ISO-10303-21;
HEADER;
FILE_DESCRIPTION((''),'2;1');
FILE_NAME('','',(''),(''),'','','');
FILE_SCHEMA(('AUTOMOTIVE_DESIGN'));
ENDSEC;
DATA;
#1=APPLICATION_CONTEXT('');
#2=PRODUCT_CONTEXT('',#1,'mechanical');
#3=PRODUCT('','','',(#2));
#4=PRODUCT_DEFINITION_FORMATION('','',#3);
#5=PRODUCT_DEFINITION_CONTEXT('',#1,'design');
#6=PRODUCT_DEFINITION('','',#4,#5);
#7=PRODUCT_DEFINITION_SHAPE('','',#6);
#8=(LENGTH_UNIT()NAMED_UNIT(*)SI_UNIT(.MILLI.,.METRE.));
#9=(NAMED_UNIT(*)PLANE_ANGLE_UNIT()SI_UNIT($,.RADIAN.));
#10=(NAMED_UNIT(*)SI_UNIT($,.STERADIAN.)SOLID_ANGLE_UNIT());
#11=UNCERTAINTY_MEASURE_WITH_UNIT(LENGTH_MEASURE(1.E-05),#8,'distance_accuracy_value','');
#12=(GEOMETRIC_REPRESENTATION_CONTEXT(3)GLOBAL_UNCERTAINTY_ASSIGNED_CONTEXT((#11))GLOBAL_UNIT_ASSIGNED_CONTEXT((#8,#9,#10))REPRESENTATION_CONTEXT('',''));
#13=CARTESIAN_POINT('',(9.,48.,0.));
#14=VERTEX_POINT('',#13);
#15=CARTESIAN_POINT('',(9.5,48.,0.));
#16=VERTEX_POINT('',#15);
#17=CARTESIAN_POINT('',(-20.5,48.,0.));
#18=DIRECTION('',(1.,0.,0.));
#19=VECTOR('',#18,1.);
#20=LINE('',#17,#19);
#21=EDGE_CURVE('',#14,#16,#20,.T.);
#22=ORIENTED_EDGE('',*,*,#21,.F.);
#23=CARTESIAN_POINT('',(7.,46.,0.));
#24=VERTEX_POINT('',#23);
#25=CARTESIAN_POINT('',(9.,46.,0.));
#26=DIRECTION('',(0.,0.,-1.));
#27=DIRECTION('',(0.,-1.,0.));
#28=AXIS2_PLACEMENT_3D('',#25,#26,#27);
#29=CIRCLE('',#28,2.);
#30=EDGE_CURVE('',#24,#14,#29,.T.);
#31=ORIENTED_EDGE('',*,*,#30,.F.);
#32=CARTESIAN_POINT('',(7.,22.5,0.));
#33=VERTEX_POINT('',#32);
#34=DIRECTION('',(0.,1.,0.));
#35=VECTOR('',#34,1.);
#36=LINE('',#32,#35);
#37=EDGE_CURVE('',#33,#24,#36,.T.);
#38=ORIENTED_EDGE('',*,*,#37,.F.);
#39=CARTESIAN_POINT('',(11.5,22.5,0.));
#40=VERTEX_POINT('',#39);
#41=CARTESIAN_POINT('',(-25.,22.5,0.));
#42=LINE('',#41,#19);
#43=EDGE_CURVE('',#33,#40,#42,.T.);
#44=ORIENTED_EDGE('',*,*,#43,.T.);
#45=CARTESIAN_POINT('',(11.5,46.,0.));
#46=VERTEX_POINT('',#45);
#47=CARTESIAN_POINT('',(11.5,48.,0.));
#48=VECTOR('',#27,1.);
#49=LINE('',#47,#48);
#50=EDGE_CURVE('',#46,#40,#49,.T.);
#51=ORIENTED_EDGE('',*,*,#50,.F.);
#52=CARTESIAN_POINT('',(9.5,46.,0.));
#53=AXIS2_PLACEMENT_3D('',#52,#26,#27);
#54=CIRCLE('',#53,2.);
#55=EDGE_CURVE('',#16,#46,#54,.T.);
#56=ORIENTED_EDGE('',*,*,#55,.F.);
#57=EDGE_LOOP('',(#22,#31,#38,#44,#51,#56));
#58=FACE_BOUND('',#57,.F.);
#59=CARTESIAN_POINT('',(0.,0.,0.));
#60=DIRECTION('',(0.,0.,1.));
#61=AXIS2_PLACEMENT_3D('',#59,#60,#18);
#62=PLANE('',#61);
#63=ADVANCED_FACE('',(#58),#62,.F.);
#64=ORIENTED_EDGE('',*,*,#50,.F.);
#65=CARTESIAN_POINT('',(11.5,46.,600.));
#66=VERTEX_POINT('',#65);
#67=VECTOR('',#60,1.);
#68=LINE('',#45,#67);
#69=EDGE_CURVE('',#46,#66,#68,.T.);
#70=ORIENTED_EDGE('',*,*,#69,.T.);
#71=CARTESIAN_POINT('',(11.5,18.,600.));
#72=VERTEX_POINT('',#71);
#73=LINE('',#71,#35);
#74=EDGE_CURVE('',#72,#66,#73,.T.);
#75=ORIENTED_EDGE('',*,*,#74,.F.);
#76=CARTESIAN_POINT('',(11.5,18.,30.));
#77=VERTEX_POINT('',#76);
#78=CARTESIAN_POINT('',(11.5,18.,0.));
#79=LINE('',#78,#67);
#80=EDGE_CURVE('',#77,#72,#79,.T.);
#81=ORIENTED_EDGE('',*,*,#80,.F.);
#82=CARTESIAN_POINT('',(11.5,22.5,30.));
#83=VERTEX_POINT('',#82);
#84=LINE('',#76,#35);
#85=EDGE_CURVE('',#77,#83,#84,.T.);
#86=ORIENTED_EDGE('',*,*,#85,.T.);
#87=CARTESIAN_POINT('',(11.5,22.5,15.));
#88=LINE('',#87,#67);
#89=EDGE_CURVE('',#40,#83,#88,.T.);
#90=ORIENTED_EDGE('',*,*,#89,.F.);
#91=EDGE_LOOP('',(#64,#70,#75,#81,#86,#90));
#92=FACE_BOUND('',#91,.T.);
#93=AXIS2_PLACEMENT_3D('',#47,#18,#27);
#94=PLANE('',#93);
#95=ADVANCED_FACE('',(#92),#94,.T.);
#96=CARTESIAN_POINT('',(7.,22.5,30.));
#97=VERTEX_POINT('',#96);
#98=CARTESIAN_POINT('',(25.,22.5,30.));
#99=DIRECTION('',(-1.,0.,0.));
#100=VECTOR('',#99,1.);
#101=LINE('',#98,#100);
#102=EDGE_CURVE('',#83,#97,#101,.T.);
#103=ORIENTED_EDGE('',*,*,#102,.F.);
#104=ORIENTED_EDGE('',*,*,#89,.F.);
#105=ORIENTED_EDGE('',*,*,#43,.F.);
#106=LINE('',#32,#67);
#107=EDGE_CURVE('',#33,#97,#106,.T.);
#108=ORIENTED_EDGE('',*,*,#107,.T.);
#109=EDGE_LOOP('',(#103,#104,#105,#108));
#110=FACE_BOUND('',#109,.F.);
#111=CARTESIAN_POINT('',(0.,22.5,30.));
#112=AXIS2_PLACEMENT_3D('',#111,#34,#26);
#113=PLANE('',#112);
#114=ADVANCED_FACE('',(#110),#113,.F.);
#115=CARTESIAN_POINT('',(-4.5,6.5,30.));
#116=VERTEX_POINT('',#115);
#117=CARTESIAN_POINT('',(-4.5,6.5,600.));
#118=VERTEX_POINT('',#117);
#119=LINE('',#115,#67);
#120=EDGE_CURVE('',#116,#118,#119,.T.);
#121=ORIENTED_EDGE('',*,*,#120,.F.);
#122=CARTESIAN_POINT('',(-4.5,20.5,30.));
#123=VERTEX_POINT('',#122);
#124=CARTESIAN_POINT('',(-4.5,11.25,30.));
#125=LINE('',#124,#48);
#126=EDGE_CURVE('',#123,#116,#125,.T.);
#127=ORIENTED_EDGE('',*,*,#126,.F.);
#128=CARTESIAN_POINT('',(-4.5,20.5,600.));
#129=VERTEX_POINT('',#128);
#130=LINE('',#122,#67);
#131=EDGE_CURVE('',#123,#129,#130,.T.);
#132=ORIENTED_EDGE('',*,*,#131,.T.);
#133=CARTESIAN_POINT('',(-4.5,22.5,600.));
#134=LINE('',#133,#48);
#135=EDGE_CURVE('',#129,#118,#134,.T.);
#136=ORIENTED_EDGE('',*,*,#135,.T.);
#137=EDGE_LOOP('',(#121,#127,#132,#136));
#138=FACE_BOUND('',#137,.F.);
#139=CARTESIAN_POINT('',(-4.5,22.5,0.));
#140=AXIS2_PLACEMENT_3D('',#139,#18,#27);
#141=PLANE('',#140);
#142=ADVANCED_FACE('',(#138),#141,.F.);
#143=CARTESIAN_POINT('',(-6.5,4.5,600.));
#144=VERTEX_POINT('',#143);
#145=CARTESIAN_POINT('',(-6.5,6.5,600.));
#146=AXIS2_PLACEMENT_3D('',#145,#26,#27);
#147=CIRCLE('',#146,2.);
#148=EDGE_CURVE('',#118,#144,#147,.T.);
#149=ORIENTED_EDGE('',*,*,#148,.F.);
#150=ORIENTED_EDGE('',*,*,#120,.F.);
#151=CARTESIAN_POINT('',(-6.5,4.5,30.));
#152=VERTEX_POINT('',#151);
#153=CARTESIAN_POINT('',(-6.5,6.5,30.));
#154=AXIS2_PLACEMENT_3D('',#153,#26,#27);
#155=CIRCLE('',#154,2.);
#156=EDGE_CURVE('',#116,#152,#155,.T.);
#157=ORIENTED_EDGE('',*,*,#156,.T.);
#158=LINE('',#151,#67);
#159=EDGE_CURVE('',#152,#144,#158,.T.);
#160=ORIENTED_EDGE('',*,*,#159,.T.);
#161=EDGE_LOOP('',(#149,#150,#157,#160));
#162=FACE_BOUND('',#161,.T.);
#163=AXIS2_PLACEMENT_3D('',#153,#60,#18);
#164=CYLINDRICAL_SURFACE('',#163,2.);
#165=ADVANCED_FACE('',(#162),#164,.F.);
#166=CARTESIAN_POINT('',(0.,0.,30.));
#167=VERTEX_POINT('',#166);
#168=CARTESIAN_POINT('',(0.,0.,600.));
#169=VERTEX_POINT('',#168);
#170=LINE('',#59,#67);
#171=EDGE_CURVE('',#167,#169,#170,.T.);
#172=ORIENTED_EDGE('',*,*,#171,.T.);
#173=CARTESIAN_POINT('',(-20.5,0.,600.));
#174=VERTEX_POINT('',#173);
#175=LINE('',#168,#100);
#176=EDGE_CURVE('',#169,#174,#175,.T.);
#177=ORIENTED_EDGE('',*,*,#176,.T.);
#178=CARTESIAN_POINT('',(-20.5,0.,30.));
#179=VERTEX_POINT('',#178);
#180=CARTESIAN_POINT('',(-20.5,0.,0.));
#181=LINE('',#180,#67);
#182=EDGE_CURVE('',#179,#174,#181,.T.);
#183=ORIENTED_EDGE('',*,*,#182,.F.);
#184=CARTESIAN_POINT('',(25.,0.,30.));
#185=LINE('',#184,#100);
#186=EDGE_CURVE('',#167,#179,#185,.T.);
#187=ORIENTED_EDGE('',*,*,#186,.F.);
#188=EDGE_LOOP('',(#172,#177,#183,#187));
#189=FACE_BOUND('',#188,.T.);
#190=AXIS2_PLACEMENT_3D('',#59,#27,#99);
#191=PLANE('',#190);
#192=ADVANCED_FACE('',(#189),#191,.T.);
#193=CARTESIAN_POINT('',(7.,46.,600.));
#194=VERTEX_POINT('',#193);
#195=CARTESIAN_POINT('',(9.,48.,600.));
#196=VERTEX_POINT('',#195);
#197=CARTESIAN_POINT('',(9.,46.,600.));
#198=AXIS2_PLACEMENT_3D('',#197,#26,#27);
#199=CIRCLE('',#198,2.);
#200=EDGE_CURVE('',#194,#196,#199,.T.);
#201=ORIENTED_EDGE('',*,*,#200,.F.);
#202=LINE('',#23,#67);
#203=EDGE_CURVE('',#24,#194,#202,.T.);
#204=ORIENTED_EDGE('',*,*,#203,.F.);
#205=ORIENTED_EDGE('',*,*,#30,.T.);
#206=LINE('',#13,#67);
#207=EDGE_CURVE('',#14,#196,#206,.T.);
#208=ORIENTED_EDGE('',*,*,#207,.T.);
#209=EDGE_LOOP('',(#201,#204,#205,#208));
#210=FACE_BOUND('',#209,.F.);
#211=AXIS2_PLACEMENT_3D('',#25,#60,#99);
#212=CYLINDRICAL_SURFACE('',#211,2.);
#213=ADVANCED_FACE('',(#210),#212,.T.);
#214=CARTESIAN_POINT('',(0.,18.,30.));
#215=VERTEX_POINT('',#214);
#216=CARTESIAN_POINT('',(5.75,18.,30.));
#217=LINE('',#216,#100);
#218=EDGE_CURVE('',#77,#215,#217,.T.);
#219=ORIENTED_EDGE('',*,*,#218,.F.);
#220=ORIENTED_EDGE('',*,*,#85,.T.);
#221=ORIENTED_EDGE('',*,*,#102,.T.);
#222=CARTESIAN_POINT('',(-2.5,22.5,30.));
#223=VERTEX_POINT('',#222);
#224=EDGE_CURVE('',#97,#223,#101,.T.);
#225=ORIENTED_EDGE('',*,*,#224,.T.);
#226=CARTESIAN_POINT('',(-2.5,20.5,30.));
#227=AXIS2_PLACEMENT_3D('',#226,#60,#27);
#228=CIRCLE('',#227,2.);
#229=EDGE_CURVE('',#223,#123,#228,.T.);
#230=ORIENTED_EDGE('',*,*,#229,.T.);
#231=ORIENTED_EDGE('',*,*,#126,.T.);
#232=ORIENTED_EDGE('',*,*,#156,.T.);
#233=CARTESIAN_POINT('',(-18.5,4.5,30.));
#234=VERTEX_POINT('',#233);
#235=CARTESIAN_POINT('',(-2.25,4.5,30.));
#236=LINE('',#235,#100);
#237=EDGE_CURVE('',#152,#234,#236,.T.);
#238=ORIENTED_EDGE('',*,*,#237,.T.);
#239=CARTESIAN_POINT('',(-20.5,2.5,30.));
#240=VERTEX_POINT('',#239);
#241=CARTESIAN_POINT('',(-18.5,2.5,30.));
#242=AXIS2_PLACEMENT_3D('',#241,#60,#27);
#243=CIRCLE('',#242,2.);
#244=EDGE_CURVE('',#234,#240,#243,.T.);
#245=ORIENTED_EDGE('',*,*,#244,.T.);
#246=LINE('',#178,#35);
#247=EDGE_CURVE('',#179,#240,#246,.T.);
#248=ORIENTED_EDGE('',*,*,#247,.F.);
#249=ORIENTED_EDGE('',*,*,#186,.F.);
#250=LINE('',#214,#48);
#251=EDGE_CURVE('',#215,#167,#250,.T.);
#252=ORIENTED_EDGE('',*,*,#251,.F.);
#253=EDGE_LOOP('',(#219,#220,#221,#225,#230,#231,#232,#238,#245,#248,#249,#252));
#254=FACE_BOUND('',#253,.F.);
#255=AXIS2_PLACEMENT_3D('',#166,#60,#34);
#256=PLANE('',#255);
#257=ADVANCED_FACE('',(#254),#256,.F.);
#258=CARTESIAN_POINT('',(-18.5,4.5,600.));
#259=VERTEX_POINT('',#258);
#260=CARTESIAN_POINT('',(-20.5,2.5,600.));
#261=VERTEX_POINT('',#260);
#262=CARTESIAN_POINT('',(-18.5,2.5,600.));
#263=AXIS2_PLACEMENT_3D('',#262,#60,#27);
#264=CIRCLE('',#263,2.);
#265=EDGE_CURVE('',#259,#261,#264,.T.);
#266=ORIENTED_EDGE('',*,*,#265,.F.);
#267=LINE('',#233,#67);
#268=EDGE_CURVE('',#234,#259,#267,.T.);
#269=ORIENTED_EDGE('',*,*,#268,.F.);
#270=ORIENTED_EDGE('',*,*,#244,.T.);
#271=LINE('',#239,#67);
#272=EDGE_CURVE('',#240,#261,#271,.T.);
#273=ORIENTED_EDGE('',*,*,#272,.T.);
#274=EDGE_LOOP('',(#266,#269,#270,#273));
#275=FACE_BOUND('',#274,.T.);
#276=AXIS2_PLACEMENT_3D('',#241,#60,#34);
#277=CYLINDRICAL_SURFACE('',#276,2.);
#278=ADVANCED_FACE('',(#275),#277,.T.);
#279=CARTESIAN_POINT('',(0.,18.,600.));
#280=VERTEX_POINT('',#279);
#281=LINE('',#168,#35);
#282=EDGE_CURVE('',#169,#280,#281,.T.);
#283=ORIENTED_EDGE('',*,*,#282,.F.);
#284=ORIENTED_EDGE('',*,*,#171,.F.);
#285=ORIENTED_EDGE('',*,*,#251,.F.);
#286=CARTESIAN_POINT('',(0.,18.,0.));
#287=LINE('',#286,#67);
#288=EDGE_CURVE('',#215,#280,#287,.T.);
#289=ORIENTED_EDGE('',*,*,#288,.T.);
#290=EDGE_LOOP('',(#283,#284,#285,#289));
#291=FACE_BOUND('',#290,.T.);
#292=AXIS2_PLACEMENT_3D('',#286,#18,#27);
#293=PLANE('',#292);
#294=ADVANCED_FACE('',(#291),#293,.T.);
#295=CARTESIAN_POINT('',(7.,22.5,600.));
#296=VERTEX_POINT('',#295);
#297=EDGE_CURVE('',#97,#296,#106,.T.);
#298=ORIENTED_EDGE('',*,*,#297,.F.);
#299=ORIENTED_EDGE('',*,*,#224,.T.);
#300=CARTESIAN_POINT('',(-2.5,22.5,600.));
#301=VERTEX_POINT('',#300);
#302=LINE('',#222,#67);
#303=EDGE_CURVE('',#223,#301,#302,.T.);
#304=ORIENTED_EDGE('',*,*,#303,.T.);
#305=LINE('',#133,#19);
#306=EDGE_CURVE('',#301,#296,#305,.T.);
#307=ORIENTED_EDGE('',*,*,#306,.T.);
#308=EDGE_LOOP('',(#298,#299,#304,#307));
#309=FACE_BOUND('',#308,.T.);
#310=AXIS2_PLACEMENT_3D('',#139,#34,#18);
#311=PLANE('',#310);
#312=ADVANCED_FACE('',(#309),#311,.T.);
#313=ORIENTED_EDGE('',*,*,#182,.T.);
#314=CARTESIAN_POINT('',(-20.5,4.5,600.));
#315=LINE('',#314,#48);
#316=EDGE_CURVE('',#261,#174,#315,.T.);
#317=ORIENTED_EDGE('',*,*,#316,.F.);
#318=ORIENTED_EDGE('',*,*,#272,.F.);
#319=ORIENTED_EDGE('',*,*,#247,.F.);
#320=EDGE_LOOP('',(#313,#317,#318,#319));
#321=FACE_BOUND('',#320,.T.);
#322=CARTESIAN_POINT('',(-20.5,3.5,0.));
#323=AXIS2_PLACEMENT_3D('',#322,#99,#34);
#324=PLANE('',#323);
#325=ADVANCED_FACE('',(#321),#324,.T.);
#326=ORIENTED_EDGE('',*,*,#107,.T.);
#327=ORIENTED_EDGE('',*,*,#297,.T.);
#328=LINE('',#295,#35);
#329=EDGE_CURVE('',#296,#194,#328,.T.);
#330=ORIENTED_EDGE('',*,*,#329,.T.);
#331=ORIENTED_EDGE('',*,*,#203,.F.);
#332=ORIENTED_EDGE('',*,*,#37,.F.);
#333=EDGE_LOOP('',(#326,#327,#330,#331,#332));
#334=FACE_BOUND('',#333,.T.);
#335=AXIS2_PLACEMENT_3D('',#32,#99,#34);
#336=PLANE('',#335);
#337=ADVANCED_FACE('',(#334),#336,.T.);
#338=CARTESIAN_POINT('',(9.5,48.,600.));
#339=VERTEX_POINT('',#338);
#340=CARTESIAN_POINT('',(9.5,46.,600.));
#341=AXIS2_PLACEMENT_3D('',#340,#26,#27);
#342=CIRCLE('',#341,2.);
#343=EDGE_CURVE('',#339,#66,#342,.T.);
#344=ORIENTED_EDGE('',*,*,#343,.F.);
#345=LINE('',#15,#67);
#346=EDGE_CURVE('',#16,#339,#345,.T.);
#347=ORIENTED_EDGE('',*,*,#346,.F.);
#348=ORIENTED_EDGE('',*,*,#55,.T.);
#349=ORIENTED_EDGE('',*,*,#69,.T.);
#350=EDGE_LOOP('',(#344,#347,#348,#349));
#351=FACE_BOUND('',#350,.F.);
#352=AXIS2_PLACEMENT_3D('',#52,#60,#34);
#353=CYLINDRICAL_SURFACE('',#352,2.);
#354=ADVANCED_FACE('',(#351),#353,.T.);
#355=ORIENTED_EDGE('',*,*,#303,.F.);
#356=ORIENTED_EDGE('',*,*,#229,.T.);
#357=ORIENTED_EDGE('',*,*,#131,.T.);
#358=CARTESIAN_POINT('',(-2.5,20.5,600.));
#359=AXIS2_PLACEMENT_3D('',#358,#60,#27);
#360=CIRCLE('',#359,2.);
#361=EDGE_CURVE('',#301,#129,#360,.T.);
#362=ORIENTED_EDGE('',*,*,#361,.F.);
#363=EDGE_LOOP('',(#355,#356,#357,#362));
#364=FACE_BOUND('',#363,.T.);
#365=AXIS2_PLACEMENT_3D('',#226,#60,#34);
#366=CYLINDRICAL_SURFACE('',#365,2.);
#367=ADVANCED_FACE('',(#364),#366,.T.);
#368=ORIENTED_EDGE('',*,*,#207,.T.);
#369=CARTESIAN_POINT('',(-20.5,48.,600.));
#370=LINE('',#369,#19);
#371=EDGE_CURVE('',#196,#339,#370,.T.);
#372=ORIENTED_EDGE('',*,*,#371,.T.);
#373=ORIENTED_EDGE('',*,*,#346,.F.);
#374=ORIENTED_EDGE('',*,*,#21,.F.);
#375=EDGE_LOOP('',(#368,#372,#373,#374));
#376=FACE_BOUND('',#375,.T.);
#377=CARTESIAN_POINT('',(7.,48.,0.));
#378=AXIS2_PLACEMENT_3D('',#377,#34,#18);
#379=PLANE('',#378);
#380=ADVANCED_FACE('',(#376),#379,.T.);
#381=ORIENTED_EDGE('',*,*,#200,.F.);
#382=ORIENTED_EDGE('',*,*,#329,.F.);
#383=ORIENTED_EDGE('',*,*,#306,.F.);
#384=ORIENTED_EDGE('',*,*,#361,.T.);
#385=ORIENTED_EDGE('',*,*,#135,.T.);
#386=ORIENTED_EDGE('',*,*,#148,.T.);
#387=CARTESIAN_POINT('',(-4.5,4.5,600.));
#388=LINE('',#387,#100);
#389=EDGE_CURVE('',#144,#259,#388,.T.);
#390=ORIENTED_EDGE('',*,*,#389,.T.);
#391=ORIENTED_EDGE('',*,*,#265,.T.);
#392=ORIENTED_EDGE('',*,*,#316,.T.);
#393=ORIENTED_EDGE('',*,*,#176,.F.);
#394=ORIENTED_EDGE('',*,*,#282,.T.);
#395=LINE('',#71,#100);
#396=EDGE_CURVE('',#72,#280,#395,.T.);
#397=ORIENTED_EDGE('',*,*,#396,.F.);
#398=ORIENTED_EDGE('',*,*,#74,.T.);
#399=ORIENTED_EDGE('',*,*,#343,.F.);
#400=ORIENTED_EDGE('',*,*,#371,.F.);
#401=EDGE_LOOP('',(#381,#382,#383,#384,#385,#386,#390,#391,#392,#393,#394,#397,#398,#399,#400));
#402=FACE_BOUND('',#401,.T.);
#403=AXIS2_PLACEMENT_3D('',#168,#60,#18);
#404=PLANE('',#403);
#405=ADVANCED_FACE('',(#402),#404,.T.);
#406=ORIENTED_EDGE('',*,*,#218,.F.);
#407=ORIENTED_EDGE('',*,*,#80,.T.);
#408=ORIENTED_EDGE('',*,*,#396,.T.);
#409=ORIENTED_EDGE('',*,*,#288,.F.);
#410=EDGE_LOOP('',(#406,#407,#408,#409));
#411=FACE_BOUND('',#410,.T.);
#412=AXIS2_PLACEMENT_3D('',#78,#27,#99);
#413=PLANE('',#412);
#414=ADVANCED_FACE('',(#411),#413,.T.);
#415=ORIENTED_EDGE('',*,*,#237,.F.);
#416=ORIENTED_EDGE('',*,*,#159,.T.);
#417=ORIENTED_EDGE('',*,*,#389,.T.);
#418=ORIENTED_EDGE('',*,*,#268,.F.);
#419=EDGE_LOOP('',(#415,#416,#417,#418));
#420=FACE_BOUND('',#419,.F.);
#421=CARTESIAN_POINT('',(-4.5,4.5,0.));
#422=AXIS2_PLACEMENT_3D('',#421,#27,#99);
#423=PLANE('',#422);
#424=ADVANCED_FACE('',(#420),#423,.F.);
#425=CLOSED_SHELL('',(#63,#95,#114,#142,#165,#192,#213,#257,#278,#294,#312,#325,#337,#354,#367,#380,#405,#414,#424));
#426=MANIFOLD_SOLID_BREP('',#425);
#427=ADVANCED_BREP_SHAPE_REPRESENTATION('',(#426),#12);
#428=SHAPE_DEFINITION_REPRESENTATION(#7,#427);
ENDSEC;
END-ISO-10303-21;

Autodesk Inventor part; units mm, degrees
ref_plane "YZ Plane" through (0, 0, 0) normal (1, 0, 0) x (0, 1, 0)
ref_plane "XZ Plane" through (0, 0, 0) normal (0, 1, 0) x (-1, 0, 0)
ref_plane "XY Plane" through (0, 0, 0) normal (0, 0, 1) x (1, 0, 0)
sketch "Sketch1" plane through (0, 0, 0) normal (0, 0, 1) x (1, 0, 0)
  line L0 (0, 0) -> (-20.5, 0)
  line L1 (-20.5, 0) -> (-20.5, 48)
  line L2 (11.5, 18) -> (0, 18)
  line L3 (0, 18) -> (0, 0)
  line L4 (-20.5, 48) -> (11.5, 48)
  line L5 (11.5, 48) -> (11.5, 18)
  line L6 (-20.5, 0) -> (0, 0)
  line L7 (0, 0) -> (0, 3.5)
  line L8 (-20.5, 3.5) -> (-20.5, 0)
  line L9 (0, 18) -> (11.5, 18)
  line L10 (11.5, 18) -> (11.5, 21.0352)
  line L11 (-20.5, 0) -> (0, 0)
  line L12 (0, 0) -> (0, 4.5)
  line L13 (-20.5, 4.5) -> (-20.5, 0)
  line L14 (-4.5, 22.5) -> (-4.5, 4.5)
  line L15 (-4.5, 4.5) -> (-20.5, 4.5)
  line L16 (-4.5, 22.5) -> (7, 22.5)
  line L17 (7, 22.5) -> (7, 48)
  point P0 (-2.8995, 48)
  dimension "d0" = 20.5
  dimension "d1" = 48
  dimension "d9" = 30
  dimension "d10" = 32
  dimension "d11" = 11.5
  dimension "d16" = 16
  dimension "d23" = 4.5
  dimension "d24" = 4.5
  dimension "d25" = 4.5
extrude "Extrusion2" add sketch "Sketch1" along normal blind 600 contours L0 L1 L15 L14 L16 L17 L4 L5 L2 L3
fillet "Fillet2" radius 2 1 edges at (7, 48, 300)
sketch "Sketch9" plane through (0, 0, 0) normal (1, 0, 0) x (0, 0, -1)
  line L0 (0, 0) -> (0, 18) projected
  line L1 (0, 0) -> (-600, 0) projected
  line L2 (-660, 22.5) -> (0, 22.5) projected
  line L3 (0, 0) -> (-30, 0)
  line L4 (-30, 0) -> (-30, 22.5)
  line L5 (-30, 22.5) -> (0, 22.5)
  line L6 (0, 22.5) -> (0, 0)
  dimension "d88" = 30
extrude "Extrusion4" cut sketch "Sketch9" along normal mid plane 50
fillet "Fillet3" radius 2 4 edges at (11.5, 48, 300) (-4.5, 22.5, 315) (-4.5, 4.5, 315) (-20.5, 4.5, 315)
properties part number "gancho1"
